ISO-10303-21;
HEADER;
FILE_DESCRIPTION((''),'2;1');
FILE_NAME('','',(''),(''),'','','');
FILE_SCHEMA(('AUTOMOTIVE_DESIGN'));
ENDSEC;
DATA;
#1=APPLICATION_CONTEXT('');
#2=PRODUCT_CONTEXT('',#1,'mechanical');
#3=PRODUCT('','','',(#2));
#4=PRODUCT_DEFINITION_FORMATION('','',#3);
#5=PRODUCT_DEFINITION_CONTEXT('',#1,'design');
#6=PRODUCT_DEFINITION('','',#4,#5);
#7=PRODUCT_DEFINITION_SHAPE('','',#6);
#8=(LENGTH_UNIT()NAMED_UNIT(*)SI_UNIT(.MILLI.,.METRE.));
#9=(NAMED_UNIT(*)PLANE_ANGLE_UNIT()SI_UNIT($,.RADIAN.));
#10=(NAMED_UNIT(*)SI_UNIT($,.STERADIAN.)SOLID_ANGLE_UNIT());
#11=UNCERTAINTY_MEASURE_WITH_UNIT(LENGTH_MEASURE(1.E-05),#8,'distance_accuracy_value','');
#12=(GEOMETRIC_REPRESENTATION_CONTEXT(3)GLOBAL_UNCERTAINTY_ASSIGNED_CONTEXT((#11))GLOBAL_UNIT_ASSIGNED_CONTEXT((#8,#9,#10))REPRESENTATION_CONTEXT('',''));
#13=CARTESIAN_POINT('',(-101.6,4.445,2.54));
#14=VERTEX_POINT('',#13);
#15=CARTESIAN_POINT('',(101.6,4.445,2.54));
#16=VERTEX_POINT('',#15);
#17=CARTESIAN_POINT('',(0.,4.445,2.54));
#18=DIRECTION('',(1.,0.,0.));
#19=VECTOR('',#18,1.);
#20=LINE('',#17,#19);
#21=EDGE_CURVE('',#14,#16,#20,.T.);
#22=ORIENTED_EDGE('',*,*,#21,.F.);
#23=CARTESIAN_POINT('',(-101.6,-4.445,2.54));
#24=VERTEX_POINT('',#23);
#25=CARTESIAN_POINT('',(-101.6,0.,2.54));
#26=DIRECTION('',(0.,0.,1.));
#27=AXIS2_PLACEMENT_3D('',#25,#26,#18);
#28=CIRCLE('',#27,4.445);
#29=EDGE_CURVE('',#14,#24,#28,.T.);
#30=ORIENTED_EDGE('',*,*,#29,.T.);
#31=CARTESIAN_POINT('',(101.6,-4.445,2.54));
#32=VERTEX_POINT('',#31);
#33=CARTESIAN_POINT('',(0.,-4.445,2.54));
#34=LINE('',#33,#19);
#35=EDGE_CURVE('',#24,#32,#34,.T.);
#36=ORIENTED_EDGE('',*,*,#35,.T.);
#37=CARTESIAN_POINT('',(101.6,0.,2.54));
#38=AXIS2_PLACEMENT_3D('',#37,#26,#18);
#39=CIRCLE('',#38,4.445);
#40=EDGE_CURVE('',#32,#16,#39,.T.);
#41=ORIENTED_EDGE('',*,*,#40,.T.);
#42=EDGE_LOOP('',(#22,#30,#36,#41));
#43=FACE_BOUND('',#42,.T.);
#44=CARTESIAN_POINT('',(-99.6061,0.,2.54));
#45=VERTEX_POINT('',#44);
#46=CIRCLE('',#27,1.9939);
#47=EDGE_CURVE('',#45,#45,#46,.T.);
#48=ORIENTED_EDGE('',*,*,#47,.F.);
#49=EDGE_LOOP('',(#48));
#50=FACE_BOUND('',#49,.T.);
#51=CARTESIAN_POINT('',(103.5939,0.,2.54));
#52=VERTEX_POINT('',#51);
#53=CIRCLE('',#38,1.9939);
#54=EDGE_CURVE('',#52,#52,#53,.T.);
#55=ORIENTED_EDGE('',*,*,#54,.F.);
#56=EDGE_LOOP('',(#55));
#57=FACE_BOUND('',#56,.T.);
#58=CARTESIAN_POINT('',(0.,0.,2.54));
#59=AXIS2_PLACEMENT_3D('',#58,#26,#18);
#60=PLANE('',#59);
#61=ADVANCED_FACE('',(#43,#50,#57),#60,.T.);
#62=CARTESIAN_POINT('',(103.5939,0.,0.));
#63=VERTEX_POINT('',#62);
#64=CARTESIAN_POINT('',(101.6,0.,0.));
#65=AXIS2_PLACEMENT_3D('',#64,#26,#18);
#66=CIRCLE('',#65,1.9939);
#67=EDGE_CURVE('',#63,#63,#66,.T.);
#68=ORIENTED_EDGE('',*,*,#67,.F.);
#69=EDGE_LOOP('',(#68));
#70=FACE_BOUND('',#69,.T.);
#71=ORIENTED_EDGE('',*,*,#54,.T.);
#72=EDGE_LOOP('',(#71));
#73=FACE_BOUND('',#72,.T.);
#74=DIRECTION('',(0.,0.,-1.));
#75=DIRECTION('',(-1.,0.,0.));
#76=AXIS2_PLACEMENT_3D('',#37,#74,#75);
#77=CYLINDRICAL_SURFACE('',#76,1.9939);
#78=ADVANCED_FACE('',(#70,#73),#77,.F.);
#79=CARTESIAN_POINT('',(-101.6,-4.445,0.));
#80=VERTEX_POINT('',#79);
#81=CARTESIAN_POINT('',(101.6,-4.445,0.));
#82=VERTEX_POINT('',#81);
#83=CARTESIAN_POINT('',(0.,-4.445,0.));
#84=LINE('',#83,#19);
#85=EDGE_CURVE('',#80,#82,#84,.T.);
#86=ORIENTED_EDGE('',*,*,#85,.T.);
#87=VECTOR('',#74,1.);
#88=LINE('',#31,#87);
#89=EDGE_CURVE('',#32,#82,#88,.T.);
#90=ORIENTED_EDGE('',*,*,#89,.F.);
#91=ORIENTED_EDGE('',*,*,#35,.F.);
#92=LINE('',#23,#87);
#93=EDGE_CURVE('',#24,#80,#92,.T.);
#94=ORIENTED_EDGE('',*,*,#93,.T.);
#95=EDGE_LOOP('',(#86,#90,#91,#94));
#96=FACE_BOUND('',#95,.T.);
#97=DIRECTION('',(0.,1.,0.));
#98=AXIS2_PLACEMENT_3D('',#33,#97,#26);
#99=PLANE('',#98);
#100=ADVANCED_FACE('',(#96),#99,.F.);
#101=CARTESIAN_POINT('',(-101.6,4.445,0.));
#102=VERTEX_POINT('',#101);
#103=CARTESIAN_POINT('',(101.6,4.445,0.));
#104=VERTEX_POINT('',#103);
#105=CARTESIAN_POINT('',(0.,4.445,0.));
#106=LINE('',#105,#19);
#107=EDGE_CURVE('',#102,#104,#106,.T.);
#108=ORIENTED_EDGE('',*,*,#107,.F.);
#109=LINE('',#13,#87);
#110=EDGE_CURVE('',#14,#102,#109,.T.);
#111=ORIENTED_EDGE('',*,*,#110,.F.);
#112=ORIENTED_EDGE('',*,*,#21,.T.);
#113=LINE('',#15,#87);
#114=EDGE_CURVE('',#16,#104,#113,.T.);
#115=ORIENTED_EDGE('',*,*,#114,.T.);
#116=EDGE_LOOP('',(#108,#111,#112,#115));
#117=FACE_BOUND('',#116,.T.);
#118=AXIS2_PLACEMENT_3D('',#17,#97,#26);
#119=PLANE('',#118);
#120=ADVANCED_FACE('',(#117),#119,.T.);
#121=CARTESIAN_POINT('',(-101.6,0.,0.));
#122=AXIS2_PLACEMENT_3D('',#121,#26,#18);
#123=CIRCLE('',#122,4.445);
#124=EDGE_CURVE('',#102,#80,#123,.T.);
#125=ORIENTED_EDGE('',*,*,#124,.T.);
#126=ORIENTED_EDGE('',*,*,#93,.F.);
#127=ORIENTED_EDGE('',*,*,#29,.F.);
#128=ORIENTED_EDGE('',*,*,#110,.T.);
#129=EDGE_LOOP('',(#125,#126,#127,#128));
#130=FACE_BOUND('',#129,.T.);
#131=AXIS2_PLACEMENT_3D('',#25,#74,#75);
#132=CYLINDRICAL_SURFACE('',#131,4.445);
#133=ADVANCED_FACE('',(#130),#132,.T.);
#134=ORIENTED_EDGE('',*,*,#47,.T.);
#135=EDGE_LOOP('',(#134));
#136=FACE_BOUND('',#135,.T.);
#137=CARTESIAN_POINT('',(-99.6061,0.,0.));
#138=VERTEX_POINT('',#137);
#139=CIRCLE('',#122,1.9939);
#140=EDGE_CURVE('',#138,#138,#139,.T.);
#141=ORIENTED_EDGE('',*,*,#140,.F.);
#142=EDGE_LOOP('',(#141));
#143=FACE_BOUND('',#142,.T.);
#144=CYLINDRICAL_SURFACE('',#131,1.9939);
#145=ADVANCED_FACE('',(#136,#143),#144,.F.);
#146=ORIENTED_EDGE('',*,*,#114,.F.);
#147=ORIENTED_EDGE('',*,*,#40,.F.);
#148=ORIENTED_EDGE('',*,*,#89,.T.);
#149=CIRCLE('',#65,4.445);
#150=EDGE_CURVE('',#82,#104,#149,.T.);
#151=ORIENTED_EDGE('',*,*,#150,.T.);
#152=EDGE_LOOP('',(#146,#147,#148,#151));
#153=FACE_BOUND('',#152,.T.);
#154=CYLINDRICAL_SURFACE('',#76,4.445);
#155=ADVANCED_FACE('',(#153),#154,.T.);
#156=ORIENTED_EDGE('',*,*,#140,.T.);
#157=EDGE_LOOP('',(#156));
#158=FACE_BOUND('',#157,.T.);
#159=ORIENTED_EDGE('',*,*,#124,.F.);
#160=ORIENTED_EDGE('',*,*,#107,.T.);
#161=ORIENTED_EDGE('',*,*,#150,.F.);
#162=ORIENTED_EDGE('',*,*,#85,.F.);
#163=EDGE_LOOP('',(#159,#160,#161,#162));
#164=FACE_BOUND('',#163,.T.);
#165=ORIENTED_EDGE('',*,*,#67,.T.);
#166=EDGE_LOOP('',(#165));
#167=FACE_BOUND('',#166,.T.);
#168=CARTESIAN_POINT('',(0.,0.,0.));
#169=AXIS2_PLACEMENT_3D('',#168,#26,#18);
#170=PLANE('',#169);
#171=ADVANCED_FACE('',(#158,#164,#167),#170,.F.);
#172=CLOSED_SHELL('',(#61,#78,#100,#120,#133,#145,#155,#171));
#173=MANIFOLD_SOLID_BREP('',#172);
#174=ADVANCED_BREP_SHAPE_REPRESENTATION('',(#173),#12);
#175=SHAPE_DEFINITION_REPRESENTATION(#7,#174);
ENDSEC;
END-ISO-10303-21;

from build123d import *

# Parameters (mm, degrees)
BOSS_EXTRUDE1_DEPTH = 2.54


with BuildPart() as part:
    # Sketch1 → Boss-Extrude1 (new body)
    with BuildSketch(Plane.XY):
        with BuildLine():
            Line((101.6, 4.445), (-101.6, 4.445))
            ThreePointArc((-101.6, 4.445), (-98.456910358, 3.143089642), (-97.155, 0))
            ThreePointArc((-97.155, 0), (-98.456910358, -3.143089642), (-101.6, -4.445))
            Line((-101.6, -4.445), (101.6, -4.445))
            ThreePointArc((101.6, -4.445), (97.155, 0), (101.6, 4.445))
        make_face()
        with BuildLine():
            ThreePointArc((-97.155, 0), (-98.456910358, 3.143089642), (-101.6, 4.445))
            Line((-101.6, 4.445), (-101.6, 1.9939))
            ThreePointArc((-101.6, 1.9939), (-100.190099789, 1.409900211), (-99.6061, 0))
            ThreePointArc((-99.6061, 0), (-100.190099789, -1.409900211), (-101.6, -1.9939))
            Line((-101.6, -1.9939), (-101.6, -4.445))
            ThreePointArc((-101.6, -4.445), (-98.456910358, -3.143089642), (-97.155, 0))
        make_face()
        with BuildLine():
            Line((-101.6, 1.9939), (-101.6, 4.445))
            ThreePointArc((-101.6, 4.445), (-106.045, 0), (-101.6, -4.445))
            Line((-101.6, -4.445), (-101.6, -1.9939))
            ThreePointArc((-101.6, -1.9939), (-103.5939, 0), (-101.6, 1.9939))
        make_face()
        with BuildLine():
            ThreePointArc((106.045, 0), (104.743089642, 3.143089642), (101.6, 4.445))
            Line((101.6, 4.445), (101.6, 1.9939))
            ThreePointArc((101.6, 1.9939), (103.009900211, 1.409900211), (103.5939, 0))
            ThreePointArc((103.5939, 0), (103.009900211, -1.409900211), (101.6, -1.9939))
            Line((101.6, -1.9939), (101.6, -4.445))
            ThreePointArc((101.6, -4.445), (104.743089642, -3.143089642), (106.045, 0))
        make_face()
        with BuildLine():
            Line((101.6, 1.9939), (101.6, 4.445))
            ThreePointArc((101.6, 4.445), (97.155, 0), (101.6, -4.445))
            Line((101.6, -4.445), (101.6, -1.9939))
            ThreePointArc((101.6, -1.9939), (99.6061, 0), (101.6, 1.9939))
        make_face()
    extrude(amount=BOSS_EXTRUDE1_DEPTH)


solid = part.part
